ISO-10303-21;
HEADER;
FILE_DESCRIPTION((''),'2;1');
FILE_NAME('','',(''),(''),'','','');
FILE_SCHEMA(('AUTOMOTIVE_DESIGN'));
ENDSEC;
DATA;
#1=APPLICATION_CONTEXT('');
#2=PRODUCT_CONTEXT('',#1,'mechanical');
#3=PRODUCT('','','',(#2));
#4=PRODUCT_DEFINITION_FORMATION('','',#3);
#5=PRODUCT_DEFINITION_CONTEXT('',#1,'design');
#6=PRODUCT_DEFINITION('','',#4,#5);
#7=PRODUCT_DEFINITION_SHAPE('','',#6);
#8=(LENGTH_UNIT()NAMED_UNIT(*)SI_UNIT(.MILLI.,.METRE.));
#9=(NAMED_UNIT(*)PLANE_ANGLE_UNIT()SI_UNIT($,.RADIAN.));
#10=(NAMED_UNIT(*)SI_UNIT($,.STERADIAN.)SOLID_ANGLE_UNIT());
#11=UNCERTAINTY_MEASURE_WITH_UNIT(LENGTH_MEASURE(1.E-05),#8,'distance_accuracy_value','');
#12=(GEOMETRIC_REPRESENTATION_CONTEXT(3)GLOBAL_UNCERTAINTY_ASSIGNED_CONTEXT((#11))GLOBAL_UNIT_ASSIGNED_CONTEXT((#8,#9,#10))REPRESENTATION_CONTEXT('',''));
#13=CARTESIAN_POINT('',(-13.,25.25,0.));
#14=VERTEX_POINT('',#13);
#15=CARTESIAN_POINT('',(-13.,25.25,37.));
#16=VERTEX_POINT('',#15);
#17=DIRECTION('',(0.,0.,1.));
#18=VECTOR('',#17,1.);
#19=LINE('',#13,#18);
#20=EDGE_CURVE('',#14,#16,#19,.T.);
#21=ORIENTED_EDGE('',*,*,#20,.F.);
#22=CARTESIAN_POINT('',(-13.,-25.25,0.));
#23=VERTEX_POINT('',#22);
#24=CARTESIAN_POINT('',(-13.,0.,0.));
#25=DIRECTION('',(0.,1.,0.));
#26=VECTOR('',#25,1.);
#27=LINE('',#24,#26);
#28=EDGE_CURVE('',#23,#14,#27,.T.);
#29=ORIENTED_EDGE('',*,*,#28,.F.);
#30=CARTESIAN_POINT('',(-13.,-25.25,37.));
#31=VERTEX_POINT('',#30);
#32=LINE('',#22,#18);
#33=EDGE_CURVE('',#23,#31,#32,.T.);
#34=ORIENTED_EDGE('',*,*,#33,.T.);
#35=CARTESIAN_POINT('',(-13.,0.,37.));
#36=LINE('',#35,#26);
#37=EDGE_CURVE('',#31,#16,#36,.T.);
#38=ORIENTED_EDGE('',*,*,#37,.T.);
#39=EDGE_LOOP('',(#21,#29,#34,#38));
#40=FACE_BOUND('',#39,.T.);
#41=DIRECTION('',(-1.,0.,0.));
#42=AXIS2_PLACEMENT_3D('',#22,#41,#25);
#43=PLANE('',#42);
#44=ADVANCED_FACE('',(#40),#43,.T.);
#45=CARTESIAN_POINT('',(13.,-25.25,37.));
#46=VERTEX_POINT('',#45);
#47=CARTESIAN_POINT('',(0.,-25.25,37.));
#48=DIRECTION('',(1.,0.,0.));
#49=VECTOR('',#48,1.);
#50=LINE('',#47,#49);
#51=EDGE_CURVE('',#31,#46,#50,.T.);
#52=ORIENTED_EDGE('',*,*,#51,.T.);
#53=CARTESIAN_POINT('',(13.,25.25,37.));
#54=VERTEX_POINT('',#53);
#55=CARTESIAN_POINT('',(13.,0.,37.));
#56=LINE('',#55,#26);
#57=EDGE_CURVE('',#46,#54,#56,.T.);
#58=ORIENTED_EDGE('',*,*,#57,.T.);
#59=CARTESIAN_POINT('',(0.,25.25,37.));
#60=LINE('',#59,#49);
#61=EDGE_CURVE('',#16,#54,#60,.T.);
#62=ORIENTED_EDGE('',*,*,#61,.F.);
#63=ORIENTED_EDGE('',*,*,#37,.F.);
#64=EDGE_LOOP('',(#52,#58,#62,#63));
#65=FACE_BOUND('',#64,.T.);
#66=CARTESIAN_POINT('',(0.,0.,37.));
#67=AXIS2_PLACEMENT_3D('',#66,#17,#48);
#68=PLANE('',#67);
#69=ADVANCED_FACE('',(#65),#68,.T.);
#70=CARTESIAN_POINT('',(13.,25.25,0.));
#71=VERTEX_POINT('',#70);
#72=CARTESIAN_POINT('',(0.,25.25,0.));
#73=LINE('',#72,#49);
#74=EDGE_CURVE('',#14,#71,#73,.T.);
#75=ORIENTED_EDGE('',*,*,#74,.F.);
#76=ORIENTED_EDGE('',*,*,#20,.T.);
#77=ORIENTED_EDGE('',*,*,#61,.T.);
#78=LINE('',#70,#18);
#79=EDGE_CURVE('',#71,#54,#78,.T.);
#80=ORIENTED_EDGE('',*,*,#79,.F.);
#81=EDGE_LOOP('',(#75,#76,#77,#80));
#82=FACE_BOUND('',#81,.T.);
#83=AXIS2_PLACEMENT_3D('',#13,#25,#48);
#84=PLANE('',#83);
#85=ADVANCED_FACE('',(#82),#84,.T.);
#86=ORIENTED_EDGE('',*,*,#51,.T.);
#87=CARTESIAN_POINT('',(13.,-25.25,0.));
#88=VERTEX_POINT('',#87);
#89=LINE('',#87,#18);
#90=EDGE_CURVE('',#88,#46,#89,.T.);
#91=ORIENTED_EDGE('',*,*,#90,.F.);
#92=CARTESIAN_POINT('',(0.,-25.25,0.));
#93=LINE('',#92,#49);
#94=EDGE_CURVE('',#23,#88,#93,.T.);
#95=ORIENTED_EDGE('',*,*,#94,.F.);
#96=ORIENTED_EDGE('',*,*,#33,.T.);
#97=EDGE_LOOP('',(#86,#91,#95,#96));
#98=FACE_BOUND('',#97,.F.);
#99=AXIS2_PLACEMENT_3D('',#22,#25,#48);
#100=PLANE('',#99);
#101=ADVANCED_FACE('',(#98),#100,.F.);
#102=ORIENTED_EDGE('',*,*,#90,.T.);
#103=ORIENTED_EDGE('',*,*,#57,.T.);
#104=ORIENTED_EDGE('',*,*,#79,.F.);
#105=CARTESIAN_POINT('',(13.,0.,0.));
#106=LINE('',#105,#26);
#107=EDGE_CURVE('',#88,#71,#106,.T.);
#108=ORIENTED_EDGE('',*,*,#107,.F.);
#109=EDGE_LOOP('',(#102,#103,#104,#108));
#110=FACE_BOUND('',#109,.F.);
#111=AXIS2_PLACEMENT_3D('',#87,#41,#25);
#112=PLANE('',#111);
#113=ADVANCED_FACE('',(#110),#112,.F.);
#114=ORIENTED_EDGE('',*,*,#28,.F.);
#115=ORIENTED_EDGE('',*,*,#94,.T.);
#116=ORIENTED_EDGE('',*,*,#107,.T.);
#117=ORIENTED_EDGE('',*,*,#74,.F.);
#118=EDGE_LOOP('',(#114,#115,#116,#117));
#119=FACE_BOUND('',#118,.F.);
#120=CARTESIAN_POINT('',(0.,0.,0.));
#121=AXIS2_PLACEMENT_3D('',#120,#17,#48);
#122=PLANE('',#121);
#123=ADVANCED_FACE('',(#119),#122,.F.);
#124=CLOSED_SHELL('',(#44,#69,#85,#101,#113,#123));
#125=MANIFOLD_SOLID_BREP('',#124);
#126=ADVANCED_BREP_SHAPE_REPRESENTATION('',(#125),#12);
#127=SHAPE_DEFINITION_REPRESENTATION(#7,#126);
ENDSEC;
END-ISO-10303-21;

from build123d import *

# Parameters (mm, degrees)
SKETCH_W  = 26
SKETCH_H  = 50.5
PAD_DEPTH = 37


with BuildPart() as part:
    # Sketch → Pad (new body)
    with BuildSketch(Plane.XY):
        Rectangle(SKETCH_W, SKETCH_H)
    extrude(amount=PAD_DEPTH)


solid = part.part
